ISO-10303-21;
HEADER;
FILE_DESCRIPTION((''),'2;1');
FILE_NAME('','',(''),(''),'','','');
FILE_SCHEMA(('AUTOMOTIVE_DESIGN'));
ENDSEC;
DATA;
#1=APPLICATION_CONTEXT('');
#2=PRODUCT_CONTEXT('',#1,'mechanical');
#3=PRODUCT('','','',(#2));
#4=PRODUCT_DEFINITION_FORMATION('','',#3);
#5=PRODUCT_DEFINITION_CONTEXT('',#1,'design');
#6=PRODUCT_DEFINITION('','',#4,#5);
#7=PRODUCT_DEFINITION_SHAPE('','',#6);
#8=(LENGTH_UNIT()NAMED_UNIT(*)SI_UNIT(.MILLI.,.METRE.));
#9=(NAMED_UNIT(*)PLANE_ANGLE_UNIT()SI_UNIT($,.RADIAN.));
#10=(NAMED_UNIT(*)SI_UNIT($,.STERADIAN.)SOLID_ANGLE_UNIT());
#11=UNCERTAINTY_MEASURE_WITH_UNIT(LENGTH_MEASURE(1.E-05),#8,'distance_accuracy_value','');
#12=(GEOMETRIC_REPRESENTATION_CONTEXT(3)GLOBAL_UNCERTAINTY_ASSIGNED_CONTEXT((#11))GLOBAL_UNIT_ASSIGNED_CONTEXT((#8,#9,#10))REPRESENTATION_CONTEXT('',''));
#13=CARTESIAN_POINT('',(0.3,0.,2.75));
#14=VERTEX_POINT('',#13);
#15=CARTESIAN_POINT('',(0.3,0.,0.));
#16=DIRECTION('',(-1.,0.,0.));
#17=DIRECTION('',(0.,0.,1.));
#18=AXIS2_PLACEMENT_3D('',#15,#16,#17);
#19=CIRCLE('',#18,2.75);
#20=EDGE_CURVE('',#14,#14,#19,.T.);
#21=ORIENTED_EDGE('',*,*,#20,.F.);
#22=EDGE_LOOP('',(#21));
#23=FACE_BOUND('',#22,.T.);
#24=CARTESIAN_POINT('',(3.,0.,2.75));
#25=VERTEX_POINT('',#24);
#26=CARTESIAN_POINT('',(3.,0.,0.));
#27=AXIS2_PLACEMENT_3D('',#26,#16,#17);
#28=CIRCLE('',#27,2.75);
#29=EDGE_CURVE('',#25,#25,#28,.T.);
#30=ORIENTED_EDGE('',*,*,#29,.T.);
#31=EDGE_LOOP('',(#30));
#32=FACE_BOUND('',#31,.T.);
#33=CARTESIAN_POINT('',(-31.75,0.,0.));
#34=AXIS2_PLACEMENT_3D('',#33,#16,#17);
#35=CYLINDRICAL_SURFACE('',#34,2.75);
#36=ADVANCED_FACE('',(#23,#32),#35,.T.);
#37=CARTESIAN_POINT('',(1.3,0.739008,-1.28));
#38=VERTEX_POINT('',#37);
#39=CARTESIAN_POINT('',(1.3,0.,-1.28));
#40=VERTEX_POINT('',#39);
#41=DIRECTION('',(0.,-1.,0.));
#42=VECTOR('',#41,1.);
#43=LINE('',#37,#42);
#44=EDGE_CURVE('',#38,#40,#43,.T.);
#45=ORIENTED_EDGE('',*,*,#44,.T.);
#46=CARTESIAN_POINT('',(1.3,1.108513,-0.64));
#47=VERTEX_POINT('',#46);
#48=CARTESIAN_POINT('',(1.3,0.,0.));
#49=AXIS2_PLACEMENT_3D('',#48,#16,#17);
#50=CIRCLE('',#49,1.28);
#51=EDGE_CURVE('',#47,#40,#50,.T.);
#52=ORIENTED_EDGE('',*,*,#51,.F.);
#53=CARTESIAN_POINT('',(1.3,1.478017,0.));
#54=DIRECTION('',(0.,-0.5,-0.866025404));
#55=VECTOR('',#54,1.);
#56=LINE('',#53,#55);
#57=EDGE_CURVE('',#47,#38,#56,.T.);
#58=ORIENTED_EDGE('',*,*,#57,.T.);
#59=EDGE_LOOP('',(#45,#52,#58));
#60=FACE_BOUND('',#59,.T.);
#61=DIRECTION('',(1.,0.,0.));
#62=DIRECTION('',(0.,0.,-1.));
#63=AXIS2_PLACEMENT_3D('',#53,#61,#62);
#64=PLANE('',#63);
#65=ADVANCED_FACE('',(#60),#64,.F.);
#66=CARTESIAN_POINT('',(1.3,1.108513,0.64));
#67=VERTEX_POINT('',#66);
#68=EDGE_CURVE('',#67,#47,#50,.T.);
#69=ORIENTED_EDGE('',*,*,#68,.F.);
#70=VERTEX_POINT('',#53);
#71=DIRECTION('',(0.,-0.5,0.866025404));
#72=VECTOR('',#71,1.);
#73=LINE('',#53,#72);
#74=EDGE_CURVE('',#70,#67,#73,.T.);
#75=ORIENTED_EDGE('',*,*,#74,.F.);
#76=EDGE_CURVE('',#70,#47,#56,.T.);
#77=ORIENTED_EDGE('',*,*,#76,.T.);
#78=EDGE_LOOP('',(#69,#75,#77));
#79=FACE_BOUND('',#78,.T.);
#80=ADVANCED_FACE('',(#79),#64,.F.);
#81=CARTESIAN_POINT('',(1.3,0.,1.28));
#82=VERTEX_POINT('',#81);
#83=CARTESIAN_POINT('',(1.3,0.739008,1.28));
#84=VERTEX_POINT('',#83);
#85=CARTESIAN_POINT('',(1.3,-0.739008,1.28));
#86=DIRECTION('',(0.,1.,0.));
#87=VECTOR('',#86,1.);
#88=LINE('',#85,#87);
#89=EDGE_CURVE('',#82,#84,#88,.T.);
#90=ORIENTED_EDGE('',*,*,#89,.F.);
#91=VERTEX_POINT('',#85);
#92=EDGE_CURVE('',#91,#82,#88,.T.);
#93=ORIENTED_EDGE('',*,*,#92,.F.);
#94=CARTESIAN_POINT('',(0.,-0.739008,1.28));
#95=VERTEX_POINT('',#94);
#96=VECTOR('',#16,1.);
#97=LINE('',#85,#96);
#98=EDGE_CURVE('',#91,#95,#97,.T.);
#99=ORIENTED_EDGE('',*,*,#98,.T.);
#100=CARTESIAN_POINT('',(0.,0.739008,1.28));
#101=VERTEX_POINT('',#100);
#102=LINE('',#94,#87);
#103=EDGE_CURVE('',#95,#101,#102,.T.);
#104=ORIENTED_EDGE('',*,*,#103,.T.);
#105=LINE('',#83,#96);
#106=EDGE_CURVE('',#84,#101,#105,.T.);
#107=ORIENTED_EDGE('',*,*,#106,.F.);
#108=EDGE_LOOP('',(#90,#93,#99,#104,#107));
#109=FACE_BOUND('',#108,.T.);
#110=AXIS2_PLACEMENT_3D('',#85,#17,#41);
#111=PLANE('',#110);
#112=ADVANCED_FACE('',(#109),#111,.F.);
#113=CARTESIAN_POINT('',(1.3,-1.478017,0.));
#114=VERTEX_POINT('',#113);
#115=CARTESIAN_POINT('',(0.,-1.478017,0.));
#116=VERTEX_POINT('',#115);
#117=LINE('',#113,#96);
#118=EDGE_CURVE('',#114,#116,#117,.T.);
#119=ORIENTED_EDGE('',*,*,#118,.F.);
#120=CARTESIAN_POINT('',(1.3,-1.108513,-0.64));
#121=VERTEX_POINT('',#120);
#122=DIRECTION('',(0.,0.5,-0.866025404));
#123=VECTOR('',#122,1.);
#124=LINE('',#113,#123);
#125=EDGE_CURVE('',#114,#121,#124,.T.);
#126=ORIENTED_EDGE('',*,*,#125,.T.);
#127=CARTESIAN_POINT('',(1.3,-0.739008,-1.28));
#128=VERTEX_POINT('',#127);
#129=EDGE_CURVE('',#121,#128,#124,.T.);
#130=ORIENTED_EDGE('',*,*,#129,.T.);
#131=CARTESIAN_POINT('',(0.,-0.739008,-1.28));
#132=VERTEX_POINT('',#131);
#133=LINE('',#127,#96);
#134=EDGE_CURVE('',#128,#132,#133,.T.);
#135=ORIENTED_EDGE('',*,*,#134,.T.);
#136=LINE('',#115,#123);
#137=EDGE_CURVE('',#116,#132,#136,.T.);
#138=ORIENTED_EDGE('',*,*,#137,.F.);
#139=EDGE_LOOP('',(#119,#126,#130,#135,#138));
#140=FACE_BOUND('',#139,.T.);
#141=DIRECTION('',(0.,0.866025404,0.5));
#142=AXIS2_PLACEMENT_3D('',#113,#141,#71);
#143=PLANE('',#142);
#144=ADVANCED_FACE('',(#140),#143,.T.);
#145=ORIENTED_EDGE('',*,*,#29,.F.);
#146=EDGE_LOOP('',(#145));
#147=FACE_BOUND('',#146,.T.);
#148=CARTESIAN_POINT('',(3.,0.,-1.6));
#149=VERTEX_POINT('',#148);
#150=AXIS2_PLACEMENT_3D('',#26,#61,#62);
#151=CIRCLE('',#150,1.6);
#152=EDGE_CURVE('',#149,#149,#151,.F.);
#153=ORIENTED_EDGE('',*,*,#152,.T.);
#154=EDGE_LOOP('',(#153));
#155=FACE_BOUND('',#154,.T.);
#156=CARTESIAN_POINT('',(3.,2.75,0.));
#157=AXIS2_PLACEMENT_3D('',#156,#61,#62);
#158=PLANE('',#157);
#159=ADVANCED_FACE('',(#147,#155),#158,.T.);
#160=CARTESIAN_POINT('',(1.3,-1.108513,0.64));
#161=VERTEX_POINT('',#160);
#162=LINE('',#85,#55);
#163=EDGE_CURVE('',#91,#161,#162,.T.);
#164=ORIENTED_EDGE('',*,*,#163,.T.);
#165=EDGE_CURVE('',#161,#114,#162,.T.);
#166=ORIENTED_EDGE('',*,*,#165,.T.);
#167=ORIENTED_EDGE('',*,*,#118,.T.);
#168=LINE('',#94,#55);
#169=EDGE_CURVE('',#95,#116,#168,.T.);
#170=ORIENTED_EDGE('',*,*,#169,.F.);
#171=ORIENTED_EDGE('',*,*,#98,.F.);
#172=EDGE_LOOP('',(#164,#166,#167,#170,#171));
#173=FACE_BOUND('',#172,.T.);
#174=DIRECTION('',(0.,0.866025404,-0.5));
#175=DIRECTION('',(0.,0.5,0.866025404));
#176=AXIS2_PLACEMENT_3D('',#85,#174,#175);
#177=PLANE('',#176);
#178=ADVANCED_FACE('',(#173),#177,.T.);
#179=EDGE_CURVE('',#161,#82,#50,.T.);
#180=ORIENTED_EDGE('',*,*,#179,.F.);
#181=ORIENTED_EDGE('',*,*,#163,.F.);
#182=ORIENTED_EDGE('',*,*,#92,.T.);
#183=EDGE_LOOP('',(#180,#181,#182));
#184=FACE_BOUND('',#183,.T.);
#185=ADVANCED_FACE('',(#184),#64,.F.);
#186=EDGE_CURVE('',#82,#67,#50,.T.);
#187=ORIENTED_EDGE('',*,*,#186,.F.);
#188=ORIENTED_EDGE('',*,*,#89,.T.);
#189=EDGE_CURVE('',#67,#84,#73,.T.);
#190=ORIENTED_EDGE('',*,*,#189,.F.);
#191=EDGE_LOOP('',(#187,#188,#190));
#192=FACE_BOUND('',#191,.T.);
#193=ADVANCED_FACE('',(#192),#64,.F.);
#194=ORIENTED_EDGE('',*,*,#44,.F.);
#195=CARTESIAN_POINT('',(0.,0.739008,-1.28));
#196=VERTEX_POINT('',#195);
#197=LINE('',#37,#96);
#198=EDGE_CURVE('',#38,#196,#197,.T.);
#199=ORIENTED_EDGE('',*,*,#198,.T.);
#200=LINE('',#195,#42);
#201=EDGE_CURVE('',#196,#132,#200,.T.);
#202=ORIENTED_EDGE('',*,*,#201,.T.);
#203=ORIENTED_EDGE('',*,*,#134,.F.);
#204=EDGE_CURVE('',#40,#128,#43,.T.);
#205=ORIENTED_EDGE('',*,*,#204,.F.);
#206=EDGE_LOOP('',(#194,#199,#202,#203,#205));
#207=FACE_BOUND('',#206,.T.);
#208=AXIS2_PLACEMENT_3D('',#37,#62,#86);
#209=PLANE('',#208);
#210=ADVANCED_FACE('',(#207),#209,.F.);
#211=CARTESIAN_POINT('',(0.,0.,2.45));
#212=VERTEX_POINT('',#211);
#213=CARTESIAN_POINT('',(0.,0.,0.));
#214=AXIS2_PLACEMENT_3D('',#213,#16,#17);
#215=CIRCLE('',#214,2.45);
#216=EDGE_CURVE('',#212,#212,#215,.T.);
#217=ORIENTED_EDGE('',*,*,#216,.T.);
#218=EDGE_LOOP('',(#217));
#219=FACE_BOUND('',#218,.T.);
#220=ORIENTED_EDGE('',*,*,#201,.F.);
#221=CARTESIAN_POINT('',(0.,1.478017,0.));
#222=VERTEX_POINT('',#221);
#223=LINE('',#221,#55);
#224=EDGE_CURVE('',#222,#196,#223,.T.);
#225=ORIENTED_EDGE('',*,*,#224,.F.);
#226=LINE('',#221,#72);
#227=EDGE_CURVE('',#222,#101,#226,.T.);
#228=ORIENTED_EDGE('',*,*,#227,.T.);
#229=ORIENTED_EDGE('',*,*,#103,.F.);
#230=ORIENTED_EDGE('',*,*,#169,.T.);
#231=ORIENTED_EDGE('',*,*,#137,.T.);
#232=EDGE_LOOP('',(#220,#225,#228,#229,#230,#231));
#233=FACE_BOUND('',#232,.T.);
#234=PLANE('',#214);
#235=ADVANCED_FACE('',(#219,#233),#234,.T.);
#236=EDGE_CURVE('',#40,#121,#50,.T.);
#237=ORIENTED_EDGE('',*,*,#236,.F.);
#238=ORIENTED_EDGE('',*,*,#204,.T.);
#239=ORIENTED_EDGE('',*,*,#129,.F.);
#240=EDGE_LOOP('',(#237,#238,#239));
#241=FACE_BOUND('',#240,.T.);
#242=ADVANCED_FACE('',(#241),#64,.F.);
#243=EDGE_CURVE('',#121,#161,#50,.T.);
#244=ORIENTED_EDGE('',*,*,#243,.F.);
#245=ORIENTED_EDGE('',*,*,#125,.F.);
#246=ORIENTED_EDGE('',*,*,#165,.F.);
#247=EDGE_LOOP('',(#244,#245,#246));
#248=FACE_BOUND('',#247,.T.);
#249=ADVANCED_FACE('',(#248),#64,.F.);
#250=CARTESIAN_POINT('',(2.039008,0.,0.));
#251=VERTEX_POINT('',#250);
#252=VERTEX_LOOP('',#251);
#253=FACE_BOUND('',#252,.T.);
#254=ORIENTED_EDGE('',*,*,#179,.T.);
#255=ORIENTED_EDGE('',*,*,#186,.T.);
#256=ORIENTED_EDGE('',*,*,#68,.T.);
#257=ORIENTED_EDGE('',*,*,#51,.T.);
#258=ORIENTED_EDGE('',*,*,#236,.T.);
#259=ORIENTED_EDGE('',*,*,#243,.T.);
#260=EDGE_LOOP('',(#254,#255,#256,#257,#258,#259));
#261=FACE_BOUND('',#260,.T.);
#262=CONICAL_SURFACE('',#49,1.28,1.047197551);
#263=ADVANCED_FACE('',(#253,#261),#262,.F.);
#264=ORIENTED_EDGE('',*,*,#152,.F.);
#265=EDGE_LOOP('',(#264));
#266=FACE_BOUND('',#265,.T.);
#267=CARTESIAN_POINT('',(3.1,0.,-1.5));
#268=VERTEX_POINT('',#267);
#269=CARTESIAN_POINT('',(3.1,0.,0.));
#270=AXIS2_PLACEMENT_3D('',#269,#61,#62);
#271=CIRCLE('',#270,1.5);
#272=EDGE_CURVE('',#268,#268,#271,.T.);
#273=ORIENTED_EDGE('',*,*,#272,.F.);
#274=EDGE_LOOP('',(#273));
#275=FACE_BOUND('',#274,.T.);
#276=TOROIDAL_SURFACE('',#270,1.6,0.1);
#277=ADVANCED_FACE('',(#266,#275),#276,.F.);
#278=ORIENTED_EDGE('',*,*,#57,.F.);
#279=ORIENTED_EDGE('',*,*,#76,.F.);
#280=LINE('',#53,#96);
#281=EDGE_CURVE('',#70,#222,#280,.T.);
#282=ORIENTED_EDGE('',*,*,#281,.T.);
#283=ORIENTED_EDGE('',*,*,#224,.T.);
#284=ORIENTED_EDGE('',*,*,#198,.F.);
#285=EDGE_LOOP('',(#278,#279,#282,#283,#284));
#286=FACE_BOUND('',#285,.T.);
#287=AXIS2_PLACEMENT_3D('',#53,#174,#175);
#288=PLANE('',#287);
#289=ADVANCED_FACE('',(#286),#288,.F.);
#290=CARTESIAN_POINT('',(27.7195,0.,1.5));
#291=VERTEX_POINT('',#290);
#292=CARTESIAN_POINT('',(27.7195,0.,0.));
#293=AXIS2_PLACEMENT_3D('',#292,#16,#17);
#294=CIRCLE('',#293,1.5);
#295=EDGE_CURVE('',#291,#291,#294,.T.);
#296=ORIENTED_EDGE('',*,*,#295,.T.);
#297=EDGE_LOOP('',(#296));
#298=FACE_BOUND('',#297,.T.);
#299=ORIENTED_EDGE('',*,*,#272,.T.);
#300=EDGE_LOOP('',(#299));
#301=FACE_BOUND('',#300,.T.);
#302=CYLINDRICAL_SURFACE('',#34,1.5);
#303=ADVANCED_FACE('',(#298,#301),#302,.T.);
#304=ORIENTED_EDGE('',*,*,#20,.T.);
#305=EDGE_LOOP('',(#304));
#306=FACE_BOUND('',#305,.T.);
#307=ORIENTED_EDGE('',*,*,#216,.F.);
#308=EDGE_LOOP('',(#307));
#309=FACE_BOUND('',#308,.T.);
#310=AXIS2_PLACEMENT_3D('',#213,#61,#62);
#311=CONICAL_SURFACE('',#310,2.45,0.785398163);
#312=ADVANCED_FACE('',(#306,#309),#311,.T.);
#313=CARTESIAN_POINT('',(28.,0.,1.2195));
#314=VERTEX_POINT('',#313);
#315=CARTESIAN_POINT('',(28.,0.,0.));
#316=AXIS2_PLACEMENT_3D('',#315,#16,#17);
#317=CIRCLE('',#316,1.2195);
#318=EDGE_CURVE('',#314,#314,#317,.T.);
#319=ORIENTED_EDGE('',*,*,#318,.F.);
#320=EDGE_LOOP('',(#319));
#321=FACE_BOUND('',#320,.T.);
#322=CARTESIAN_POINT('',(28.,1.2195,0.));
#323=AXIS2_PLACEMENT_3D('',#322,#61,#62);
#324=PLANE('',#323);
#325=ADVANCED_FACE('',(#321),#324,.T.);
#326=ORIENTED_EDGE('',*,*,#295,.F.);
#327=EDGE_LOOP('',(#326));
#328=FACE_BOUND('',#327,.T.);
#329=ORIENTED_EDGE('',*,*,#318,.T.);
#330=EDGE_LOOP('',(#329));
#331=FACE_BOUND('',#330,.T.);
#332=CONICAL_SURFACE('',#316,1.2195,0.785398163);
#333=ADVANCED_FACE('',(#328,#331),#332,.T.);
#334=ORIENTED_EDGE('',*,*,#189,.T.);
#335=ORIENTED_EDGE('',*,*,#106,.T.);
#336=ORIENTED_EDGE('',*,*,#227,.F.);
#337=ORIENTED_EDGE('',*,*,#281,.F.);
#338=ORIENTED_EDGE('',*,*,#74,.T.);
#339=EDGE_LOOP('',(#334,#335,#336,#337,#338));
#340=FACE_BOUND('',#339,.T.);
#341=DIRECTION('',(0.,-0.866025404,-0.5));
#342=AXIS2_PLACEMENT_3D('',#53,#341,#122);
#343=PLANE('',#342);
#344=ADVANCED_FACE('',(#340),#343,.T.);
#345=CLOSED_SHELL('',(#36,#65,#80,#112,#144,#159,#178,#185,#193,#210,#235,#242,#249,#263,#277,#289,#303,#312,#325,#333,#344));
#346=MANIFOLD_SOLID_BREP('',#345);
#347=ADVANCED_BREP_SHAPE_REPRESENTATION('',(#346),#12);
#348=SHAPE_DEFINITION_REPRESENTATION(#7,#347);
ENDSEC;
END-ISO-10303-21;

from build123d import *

# Parameters (mm, degrees)
FILLET1_R   = 0.1
HEX_2_DEPTH = 1.3


with BuildPart() as part:
    # BodySke → Base-Revolve (revolve)
    with BuildSketch(Plane.XY):
        Polygon((0, 0), (0, 2.45), (0.3, 2.75), (3, 2.75), (3, 1.5), (27.7195, 1.5), (28, 1.2195), (28, 0), align=None)
    revolve(axis=Axis((-31.75, 0, 0), (1, 0, 0)))

    # Fillet1
    fillet1_edges = [part.edges().sort_by_distance(p)[0] for p in [
        (3, -1.5, 0),
    ]]
    fillet(fillet1_edges, radius=FILLET1_R)

    # Sketch2 → Hex-PreBroach (revolve, cut)
    with BuildSketch(Plane.XY):
        Polygon((0, 1.28), (1.3, 1.28), (2.039008345, 0), (0, 0), align=None)
    revolve(axis=Axis((0, 0, 0), (1, 0, 0)), mode=Mode.SUBTRACT)

    # Sketch3 → Hex 2 (cut)
    with BuildSketch(Plane(origin=(0, 0, 0), x_dir=(0, 0.5, 0.866025404), z_dir=(-1, 0, 0))):
        Polygon((0.739008345, 1.28), (-0.739008345, 1.28), (-1.478016689, 0), (-0.739008345, -1.28), (0.739008345, -1.28), (1.478016689, 0), align=None)
    extrude(amount=-HEX_2_DEPTH, mode=Mode.SUBTRACT)


solid = part.part
